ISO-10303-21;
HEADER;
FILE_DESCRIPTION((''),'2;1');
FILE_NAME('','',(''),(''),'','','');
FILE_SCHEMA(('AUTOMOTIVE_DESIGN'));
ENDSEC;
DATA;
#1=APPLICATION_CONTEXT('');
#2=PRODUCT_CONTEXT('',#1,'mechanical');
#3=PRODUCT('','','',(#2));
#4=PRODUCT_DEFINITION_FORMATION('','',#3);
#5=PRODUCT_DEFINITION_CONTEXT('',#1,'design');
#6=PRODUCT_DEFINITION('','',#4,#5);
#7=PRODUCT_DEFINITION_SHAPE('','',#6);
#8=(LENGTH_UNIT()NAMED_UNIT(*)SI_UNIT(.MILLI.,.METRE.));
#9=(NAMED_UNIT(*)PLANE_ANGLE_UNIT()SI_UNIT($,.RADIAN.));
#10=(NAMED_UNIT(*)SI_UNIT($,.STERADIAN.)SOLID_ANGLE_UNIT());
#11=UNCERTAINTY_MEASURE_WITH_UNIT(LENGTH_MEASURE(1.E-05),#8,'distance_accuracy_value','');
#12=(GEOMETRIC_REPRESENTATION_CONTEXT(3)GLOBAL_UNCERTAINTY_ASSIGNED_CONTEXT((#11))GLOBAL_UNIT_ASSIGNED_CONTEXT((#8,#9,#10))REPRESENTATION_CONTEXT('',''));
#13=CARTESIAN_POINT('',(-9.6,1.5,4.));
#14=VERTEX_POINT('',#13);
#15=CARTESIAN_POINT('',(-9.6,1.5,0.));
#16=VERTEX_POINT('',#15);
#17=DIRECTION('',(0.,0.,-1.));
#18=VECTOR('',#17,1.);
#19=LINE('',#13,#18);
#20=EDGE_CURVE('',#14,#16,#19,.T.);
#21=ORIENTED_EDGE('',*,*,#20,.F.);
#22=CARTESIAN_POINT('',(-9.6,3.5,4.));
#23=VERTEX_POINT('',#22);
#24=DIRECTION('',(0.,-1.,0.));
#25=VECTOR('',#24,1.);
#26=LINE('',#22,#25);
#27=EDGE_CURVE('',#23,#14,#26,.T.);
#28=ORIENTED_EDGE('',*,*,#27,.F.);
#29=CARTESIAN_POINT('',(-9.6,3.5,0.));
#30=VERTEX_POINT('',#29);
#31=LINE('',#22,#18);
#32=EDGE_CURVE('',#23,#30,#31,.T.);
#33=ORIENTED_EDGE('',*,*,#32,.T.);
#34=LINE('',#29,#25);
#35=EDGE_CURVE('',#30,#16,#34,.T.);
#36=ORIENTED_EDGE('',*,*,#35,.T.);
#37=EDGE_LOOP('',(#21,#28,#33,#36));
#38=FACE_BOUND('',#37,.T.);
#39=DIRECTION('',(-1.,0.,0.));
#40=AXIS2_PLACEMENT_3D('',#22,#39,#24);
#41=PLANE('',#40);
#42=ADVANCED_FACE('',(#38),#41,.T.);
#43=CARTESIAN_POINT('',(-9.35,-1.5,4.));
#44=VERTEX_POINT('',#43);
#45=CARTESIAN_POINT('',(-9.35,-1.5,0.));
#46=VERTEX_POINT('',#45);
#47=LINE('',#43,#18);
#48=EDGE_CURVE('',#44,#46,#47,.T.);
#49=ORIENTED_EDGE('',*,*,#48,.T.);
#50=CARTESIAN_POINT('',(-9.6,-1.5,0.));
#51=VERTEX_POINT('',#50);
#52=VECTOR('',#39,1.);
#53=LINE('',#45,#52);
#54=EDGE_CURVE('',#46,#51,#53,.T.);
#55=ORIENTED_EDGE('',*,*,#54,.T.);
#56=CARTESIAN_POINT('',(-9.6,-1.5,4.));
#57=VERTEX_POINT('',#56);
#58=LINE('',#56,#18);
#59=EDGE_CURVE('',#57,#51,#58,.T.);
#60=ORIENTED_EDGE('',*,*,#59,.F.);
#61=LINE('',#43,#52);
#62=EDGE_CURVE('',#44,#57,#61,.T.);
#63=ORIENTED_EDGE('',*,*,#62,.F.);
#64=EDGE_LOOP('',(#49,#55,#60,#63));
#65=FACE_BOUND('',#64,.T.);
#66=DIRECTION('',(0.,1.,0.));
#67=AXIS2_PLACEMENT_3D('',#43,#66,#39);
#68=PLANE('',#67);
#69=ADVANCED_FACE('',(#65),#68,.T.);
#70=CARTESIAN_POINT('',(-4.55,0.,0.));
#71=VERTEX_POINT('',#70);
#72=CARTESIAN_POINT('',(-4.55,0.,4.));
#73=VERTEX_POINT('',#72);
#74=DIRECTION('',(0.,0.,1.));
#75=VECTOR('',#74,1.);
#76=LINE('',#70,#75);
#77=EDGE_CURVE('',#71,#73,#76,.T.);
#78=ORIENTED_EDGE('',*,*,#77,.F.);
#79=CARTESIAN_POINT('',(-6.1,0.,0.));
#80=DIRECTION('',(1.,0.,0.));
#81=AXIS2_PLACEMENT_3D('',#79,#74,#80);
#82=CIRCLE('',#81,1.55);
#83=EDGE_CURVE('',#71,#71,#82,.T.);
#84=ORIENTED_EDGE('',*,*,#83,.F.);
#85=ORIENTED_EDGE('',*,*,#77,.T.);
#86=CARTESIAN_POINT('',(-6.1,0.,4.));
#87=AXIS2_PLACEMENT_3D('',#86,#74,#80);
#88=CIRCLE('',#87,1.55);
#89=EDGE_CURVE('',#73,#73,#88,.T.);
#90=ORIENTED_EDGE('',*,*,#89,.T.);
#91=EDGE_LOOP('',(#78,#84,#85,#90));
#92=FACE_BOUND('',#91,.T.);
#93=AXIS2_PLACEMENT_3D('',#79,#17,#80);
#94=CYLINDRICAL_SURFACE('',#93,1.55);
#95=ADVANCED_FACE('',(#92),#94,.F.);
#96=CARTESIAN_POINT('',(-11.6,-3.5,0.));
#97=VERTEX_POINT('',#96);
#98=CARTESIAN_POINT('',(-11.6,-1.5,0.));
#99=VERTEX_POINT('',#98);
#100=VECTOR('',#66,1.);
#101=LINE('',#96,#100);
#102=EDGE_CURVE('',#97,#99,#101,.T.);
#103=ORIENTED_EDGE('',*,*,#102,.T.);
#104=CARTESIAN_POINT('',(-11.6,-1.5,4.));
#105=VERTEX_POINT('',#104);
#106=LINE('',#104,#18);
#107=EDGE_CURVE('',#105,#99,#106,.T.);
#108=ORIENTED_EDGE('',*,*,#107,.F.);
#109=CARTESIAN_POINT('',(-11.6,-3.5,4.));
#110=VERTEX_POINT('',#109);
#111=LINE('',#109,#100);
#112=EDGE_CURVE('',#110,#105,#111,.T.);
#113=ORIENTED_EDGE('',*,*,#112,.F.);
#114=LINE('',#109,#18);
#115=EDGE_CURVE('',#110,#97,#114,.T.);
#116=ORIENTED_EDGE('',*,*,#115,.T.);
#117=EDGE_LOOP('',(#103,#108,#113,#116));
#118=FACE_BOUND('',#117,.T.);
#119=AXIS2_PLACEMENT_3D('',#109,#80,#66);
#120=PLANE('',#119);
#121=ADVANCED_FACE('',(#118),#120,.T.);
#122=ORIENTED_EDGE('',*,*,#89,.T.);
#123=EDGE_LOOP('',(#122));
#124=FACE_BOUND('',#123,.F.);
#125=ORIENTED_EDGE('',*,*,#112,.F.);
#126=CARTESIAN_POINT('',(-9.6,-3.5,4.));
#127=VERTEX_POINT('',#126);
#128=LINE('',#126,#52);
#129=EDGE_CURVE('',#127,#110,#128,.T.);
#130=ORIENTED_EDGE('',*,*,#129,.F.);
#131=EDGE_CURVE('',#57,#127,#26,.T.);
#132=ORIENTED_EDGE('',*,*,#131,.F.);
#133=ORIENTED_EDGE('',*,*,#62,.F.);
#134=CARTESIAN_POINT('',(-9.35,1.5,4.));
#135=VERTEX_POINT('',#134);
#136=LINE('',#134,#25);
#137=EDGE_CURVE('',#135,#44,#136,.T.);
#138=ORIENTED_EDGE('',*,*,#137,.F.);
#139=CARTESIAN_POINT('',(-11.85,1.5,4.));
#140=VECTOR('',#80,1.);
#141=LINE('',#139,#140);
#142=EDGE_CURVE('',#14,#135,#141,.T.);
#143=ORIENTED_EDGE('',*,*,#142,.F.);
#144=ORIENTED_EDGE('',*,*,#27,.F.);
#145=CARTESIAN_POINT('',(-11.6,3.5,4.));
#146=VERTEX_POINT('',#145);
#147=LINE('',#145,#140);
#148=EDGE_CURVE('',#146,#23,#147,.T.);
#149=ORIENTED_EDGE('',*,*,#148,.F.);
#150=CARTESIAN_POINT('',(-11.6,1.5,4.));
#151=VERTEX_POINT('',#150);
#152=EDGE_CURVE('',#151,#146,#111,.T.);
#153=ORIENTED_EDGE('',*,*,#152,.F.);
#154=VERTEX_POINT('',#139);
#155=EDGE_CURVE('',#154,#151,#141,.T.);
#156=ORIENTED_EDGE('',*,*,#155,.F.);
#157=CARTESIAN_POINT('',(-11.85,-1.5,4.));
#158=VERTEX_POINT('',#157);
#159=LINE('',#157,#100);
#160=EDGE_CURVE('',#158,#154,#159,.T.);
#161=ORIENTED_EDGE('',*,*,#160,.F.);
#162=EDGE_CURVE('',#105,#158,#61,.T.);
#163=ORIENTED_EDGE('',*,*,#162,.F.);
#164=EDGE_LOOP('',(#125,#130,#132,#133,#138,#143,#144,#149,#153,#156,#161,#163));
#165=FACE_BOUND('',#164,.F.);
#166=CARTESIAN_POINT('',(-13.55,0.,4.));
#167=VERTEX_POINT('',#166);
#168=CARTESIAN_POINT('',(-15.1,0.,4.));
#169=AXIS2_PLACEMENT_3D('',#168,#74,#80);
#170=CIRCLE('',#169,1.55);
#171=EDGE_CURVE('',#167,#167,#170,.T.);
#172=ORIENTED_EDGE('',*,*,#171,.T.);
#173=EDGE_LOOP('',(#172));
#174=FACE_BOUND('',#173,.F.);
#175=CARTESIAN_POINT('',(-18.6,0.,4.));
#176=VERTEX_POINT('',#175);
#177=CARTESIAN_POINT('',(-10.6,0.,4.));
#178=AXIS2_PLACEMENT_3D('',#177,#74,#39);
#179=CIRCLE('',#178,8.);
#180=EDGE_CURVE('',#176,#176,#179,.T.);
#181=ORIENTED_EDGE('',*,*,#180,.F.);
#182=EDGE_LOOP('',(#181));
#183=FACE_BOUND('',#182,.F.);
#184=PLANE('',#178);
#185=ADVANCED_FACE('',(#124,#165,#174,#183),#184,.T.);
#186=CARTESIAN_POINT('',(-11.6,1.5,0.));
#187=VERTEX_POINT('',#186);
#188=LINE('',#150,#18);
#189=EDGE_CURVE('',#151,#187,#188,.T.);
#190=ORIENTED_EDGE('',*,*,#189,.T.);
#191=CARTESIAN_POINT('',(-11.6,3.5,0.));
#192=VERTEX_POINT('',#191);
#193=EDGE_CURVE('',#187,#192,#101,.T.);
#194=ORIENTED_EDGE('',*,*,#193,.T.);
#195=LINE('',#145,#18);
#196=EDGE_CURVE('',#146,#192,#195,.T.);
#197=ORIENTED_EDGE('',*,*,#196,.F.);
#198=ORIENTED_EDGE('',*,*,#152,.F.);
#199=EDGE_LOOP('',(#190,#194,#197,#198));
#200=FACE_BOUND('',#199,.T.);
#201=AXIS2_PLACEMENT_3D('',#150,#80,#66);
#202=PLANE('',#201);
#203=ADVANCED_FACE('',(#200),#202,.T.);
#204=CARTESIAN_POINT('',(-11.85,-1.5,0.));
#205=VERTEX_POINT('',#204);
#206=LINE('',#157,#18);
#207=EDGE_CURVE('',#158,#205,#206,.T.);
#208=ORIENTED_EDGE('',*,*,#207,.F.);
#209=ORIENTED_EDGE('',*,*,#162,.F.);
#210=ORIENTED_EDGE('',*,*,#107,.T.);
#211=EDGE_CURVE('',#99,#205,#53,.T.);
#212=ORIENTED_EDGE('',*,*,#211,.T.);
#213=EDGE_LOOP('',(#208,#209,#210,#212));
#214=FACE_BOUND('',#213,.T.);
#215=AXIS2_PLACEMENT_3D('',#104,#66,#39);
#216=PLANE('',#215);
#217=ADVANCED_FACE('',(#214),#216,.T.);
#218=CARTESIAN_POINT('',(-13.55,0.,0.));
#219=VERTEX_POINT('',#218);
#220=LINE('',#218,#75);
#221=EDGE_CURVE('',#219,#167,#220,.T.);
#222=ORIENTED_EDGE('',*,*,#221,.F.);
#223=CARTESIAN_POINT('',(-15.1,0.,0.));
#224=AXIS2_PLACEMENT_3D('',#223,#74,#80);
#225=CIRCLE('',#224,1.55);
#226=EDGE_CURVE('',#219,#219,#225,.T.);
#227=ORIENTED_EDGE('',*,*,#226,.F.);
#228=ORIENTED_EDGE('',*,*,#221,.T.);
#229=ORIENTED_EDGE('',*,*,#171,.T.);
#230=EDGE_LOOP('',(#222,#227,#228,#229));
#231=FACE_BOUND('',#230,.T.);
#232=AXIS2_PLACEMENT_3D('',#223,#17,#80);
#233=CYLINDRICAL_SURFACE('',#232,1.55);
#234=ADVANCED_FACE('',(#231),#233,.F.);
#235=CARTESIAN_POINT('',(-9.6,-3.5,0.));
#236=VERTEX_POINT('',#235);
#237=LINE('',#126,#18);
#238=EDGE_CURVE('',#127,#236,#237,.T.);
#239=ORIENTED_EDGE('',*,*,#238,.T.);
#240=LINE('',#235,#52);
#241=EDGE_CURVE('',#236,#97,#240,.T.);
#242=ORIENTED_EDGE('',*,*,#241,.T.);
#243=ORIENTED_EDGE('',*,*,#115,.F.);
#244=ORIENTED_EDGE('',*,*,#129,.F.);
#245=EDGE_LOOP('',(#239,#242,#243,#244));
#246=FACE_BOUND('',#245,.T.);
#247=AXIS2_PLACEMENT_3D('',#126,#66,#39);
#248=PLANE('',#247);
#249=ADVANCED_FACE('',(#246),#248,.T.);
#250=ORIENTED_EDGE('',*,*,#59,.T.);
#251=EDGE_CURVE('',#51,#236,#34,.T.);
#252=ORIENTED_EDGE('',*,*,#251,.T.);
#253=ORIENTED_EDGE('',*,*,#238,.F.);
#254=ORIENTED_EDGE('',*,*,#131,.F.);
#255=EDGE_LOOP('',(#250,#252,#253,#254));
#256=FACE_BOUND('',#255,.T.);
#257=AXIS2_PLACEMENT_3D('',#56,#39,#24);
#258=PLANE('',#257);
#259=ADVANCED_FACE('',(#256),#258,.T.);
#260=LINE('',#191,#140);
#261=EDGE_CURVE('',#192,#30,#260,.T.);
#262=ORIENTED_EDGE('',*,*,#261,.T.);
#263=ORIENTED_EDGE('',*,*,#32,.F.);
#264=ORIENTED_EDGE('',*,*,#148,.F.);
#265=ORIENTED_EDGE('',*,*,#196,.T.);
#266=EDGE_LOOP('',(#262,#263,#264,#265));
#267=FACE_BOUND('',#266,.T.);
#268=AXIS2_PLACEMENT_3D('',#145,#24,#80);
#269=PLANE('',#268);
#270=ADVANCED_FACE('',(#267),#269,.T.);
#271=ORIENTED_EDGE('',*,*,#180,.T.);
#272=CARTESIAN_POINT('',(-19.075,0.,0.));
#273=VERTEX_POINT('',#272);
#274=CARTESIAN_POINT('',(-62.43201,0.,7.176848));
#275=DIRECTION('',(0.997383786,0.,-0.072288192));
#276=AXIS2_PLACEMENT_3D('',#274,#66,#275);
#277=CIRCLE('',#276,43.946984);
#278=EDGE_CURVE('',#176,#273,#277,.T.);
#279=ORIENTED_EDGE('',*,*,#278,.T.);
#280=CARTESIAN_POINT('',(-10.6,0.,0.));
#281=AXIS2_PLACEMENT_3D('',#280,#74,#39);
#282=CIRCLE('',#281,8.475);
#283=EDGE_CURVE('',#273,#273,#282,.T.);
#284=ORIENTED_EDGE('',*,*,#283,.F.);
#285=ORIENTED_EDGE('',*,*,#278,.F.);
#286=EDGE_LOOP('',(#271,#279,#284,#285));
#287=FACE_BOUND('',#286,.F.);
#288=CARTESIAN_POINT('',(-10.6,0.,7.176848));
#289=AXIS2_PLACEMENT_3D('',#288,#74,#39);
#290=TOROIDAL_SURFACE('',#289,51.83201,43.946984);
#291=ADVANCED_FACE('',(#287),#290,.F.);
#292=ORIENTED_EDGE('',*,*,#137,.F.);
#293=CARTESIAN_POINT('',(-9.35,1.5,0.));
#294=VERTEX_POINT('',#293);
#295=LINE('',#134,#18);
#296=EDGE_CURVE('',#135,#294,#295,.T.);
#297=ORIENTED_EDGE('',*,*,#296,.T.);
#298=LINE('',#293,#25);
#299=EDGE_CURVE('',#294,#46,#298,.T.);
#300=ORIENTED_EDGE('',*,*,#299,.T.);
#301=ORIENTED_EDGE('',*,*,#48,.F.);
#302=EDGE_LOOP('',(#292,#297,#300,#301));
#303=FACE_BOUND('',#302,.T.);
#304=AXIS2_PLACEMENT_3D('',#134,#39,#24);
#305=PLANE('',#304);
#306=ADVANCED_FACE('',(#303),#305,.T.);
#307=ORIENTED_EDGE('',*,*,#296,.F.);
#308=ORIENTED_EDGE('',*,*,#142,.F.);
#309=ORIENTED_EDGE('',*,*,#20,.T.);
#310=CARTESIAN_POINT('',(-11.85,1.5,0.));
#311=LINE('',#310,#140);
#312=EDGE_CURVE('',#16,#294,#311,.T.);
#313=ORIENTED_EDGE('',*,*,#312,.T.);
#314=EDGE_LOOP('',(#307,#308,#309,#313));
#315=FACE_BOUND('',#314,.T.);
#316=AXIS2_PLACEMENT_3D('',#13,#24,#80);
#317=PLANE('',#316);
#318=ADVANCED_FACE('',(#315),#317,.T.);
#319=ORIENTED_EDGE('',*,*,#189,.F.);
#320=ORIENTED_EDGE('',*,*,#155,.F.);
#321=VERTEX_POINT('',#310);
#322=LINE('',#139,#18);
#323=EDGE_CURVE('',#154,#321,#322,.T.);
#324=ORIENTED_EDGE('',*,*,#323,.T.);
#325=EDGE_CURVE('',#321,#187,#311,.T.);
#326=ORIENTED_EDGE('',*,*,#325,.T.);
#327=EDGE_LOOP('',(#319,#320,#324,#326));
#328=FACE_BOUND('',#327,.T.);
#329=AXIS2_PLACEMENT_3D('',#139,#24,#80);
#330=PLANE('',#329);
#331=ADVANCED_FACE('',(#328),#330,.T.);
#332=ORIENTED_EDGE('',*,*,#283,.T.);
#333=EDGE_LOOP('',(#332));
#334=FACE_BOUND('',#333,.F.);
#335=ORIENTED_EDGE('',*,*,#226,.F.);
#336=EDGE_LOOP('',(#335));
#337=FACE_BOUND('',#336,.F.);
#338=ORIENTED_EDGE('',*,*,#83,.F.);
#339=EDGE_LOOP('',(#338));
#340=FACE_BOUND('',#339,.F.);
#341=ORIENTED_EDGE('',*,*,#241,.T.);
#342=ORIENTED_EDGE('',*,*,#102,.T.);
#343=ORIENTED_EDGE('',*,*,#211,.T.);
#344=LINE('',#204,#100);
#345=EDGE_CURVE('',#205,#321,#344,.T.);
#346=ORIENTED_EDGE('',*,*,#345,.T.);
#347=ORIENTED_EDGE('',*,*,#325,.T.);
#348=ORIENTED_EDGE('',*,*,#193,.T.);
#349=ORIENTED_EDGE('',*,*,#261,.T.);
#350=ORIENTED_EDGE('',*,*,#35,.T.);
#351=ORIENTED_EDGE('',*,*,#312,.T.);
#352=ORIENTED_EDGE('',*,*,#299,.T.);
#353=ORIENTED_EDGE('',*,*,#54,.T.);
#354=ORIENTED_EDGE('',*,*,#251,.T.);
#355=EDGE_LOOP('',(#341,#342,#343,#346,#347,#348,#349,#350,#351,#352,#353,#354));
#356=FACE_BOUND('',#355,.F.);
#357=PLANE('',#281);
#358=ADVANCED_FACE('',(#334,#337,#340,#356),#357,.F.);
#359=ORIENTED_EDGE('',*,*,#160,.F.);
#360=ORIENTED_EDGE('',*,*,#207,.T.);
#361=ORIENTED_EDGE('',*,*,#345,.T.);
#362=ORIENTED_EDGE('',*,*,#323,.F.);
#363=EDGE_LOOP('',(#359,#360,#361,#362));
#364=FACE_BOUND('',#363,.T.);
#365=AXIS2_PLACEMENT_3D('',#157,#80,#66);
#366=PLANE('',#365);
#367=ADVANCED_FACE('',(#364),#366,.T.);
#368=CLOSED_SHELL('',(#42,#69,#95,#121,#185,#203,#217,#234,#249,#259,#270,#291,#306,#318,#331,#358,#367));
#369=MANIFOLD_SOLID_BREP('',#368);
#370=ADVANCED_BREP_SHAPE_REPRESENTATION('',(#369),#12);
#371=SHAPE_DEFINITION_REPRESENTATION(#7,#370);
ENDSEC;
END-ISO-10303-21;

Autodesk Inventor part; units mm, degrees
ref_plane "YZ Plane" through (0, 0, 0) normal (1, 0, 0) x (0, 1, 0)
ref_plane "XZ Plane" through (0, 0, 0) normal (0, 1, 0) x (-1, 0, 0)
ref_plane "XY Plane" through (0, 0, 0) normal (0, 0, 1) x (1, 0, 0)
sketch "Sketch1" plane through (0, 0, 0) normal (0, 0, 1) x (1, 0, 0)
  circle A0 centre (-10.6, 0) radius 8.475
  circle A1 centre (-15.1, 0) radius 2.2 projected
  circle A2 centre (-6.1, 0) radius 2.2 projected
  circle A3 centre (-10.6, 0) radius 8.475
  circle A4 centre (-15.1, 0) radius 2.2
  circle A5 centre (-6.1, 0) radius 2.2
  circle A6 centre (-15.1, 0) radius 1.55
  circle A7 centre (-6.1, 0) radius 1.55
  point P0 (0, 0)
  dimension "d9" = 3.1
  dimension "d10" = 3.1
sketch "Sketch2" plane through (0, 0, 0) normal (0, 1, 0) x (-1, 0, 0)
  line L0 (19.075, 0) -> (2.125, 0) projected
  line L1 (7.55, 0) -> (13.65, 0)
  arc A0 (18.6, 4) -> (19.075, 0) centre (62.4336, 7.177) ccw
  line L2 (13.65, 0) -> (19.075, 0)
  line L3 (10.6, 0) -> (10.6, 4)
  line L4 (10.6, 0) -> (10.6, 4)
  line L5 (10.6, 4) -> (18.6, 4)
  point P0 (0, 0)
  dimension "d15" = 4
  dimension "d16" = 8
revolve "Revolution1" add sketch "Sketch2" angle 360 about axis through (-10.6, 0, 0) along (0, 0, 1)
extrude "Extrusion3" cut sketch "Sketch1" along normal blind 4 contours A6 | A7
sketch "Sketch5" plane through (-10.6, 0, 4) normal (0, 0, 1) x (1, 0, 0)
  line L0 (1, -3.5) -> (-1, -3.5)
  line L1 (-1, -3.5) -> (-1, 3.5)
  line L2 (-1, 3.5) -> (1, 3.5)
  line L3 (1, 3.5) -> (1, -3.5)
  line L4 (1, -3.5) -> (-1, 3.5) construction
  line L5 (-1, -3.5) -> (1, 3.5) construction
  circle A0 centre (-4.5, 0) radius 1.55 projected
  circle A1 centre (4.5, 0) radius 1.55 projected
  circle A2 centre (-4.5, 0) radius 3
  circle A3 centre (4.5, 0) radius 3
  line L6 (1.25, -1.5) -> (-1.25, -1.5)
  line L7 (-1.25, -1.5) -> (-1.25, 1.5)
  line L8 (-1.25, 1.5) -> (1.25, 1.5)
  line L9 (1.25, 1.5) -> (1.25, -1.5)
  line L10 (1.25, -1.5) -> (-1.25, 1.5) construction
  line L11 (-1.25, -1.5) -> (1.25, 1.5) construction
  point P0 (10.6, 0)
  point P1 (0, 0)
  point P2 (1, -1.5)
  point P3 (1, 1.5)
  point P4 (-1, 1.5)
  point P5 (-1, -1.5)
  dimension "d17" = 2
  dimension "d18" = 7
  dimension "d19" = 6
  dimension "d20" = 6
  dimension "d21" = 2.5
  dimension "d22" = 3
extrude "Extrusion5" cut sketch "Sketch5" against normal blind 4 contours L0 L1 L6 L3 | L6 L1 L8 L3 | L3 L8 L9 L6 | L6 L7 L8 L1 | L8 L1 L2 L3
properties part number "Pot_holder"
